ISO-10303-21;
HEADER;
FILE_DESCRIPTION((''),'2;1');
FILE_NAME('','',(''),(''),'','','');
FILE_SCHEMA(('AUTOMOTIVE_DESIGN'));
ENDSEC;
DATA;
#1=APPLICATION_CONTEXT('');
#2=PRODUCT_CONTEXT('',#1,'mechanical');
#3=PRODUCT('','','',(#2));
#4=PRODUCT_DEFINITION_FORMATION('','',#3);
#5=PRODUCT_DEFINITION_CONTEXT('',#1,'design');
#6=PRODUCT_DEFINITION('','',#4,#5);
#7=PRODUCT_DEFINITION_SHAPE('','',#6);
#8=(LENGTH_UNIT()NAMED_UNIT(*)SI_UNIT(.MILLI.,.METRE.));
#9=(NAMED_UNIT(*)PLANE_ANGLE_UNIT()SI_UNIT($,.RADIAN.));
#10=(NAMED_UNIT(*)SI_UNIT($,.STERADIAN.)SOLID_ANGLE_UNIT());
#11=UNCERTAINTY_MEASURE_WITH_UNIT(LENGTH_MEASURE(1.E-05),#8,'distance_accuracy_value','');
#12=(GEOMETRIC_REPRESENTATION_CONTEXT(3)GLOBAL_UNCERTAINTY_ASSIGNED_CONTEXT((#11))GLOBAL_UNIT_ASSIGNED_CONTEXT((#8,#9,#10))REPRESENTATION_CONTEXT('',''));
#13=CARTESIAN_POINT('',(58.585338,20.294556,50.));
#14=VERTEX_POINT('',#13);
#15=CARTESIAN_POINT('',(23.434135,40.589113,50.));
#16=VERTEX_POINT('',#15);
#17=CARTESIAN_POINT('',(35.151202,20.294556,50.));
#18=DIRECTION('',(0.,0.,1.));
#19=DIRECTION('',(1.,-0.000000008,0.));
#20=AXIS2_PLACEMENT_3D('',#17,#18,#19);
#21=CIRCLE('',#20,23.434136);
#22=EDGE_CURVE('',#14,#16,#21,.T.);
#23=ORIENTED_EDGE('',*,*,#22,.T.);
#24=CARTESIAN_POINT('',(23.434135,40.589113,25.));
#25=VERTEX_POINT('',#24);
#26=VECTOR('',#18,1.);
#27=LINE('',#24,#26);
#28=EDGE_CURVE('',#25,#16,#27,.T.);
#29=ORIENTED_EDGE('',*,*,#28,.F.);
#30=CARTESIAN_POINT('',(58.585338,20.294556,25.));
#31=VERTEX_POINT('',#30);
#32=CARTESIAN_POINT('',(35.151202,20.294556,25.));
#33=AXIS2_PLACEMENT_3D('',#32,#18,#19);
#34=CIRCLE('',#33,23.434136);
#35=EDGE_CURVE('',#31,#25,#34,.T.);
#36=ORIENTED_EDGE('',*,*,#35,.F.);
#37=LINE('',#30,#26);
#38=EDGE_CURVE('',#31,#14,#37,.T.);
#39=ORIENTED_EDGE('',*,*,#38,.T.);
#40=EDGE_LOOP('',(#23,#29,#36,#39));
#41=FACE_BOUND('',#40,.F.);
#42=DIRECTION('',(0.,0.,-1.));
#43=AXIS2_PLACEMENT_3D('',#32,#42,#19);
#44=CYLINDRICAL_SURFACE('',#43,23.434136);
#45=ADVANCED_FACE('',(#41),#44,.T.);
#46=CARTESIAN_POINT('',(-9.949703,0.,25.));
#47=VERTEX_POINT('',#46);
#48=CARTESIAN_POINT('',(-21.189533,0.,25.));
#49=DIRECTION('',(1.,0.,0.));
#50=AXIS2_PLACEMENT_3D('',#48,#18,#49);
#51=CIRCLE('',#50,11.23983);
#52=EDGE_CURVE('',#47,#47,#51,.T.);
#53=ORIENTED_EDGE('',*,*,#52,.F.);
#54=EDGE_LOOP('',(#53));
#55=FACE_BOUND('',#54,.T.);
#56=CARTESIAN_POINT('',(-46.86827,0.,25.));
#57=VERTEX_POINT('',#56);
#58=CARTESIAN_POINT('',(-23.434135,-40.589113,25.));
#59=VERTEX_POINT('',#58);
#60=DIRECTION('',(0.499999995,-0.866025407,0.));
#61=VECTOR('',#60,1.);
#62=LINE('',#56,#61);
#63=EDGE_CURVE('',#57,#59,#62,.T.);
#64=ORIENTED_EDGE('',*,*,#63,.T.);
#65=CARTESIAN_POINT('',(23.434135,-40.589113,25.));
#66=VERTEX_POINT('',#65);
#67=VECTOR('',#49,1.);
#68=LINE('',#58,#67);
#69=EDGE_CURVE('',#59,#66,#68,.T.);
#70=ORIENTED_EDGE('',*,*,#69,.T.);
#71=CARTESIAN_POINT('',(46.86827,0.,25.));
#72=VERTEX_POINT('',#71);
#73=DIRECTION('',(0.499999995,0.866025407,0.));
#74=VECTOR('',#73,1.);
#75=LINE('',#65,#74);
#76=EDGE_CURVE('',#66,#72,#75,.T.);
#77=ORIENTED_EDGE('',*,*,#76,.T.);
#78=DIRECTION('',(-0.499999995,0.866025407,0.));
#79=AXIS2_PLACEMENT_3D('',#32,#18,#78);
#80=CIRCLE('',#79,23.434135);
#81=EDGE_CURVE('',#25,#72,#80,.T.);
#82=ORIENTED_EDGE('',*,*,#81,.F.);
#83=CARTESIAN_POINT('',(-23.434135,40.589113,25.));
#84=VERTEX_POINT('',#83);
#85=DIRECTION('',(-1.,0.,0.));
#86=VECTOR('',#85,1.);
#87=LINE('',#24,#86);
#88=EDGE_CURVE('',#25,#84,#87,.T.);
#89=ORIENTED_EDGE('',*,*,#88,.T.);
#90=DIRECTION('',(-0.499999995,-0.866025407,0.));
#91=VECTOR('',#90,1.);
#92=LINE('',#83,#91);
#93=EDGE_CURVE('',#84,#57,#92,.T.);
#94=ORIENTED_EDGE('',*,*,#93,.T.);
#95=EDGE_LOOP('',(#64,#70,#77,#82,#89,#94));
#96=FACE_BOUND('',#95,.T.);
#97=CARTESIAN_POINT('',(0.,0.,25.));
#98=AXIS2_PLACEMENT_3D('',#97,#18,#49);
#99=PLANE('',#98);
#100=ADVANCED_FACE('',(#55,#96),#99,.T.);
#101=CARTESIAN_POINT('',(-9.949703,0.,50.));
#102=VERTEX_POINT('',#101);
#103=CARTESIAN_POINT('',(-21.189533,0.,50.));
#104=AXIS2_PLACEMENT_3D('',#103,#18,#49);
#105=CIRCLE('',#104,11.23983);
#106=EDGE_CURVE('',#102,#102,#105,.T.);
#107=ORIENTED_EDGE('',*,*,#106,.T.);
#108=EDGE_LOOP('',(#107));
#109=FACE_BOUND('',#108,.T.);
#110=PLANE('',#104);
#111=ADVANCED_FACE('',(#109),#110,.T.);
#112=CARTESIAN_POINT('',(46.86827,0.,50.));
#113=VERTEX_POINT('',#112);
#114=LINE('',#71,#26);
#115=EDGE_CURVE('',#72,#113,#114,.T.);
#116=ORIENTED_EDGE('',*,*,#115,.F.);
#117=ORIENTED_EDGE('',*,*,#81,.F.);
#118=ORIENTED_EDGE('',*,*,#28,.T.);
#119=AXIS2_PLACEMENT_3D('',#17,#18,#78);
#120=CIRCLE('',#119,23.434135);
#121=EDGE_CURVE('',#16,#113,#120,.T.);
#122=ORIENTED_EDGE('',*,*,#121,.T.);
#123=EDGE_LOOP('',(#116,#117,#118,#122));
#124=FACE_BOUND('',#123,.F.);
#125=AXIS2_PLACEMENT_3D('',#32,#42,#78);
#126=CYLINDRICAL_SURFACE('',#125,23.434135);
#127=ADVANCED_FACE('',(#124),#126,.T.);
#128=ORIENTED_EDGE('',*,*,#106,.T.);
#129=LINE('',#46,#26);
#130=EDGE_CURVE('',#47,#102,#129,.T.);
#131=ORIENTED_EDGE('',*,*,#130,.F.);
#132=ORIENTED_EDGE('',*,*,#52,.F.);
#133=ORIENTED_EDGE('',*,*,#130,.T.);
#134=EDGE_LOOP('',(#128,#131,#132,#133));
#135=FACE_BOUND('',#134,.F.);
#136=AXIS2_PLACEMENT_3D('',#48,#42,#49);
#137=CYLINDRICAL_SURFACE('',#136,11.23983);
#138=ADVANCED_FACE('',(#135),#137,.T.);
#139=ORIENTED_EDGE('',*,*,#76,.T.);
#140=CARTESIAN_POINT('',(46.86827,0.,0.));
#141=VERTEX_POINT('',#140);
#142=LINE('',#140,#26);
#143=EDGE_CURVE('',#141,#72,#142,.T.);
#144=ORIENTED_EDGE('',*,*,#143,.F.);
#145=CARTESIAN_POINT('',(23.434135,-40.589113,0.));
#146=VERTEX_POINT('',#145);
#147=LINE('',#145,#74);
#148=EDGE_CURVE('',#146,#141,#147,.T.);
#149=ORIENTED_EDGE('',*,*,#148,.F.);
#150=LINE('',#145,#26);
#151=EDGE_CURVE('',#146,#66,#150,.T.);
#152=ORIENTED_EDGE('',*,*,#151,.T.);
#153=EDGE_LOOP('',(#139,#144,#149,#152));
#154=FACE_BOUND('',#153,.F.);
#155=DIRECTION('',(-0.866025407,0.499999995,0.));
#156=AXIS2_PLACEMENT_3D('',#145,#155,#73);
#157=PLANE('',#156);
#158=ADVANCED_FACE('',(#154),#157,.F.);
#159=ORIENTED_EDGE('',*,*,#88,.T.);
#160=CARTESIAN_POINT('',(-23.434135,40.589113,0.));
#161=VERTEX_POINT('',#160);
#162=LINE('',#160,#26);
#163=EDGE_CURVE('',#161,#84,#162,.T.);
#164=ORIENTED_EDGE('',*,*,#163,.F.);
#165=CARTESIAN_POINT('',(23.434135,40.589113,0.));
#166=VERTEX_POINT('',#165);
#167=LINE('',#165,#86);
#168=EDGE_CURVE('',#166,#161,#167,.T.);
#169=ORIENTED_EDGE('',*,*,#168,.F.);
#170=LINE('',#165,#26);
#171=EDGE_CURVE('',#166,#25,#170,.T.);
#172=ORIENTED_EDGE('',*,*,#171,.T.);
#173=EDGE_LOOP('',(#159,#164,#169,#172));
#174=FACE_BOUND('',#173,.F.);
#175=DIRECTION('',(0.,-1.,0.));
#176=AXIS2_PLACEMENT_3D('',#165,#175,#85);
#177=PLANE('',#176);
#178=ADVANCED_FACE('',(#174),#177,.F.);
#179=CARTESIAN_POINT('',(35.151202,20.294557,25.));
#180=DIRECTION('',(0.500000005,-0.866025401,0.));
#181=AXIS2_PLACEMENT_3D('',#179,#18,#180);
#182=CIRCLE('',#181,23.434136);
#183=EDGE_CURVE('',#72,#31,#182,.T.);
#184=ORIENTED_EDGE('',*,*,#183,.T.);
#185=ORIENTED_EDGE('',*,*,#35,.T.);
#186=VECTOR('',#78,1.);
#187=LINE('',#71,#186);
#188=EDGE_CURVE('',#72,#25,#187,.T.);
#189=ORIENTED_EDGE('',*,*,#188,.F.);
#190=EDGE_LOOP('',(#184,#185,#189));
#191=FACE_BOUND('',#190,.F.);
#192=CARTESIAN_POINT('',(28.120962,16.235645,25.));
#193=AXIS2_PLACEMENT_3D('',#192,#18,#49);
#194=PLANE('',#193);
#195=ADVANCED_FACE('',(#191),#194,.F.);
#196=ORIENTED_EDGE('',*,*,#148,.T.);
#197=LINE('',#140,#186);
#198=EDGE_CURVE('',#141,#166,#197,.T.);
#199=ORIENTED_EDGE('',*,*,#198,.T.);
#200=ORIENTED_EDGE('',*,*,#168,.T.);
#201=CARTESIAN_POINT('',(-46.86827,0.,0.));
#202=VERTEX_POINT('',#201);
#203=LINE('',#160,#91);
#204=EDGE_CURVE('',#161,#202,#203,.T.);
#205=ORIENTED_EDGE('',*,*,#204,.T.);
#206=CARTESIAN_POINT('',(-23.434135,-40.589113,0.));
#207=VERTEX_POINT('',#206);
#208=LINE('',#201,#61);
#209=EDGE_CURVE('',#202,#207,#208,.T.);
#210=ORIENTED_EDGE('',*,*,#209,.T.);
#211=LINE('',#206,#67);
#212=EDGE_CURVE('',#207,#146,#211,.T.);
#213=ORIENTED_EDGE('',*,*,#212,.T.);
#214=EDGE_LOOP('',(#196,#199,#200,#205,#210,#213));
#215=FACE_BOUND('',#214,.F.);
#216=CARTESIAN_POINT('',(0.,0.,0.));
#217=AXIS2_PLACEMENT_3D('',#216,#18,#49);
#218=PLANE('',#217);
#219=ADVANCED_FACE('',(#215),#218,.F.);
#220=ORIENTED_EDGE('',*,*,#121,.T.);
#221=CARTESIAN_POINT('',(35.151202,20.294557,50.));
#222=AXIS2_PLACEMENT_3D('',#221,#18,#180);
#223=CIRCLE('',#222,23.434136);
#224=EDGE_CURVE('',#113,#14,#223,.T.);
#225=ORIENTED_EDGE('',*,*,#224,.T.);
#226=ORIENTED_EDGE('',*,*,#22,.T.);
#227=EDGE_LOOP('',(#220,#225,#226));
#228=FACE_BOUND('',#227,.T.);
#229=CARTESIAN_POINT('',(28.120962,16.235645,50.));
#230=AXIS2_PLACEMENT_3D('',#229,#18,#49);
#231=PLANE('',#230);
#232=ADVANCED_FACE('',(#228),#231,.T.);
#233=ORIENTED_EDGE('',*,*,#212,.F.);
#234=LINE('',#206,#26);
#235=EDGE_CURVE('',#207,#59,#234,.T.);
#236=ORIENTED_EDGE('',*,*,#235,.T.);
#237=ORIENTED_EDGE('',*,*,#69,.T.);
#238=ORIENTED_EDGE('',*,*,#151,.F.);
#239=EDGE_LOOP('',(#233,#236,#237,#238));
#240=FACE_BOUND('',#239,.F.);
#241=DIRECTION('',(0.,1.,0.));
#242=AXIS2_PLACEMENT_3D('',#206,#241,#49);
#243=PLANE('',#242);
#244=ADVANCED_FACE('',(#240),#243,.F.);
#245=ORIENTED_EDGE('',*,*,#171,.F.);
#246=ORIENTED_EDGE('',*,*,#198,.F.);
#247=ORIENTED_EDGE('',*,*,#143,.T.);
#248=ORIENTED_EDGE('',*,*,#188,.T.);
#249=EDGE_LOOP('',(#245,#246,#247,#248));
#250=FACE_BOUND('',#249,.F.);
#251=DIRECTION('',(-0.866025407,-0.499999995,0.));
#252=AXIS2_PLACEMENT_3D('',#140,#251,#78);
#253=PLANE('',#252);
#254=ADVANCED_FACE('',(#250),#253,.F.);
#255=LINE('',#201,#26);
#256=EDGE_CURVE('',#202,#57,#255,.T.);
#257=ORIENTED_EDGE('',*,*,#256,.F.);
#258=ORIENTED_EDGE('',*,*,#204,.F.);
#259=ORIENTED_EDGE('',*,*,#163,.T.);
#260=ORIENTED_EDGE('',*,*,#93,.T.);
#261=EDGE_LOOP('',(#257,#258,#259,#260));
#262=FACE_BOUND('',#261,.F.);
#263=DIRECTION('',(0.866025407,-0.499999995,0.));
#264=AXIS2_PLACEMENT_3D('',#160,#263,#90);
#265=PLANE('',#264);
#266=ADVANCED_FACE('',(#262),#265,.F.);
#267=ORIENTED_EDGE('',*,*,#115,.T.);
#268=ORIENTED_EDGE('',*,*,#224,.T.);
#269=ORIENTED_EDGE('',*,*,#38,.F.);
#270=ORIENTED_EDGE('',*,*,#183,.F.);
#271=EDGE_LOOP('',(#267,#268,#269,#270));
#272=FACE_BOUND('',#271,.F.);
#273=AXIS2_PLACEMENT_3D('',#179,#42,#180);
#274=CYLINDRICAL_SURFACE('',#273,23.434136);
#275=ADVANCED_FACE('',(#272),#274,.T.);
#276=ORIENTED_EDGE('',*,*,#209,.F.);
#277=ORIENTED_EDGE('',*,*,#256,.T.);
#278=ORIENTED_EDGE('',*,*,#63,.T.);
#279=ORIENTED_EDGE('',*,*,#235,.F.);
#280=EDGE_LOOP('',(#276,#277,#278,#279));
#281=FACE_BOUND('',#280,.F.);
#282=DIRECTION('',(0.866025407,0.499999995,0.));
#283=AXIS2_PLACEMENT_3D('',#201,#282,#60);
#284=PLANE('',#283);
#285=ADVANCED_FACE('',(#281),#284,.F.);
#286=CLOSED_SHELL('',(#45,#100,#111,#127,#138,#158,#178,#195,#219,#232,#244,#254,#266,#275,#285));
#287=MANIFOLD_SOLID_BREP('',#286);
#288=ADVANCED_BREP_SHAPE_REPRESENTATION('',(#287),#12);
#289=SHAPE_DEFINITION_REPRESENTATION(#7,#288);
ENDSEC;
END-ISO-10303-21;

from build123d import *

# Parameters (mm, degrees)
F1_DEPTH = 25
F3_DEPTH = 25
F4_R     = 11.23983
F5_DEPTH = 25


with BuildPart() as f1:
    # F0 (on Top) → F1 (new body)
    with BuildSketch(Plane.XY):
        Polygon((23.434135, 40.589113), (-23.434135, 40.589113), (-46.86827, 0), (-23.434135, -40.589113), (23.434135, -40.589113), (46.86827, 0), align=None)
    extrude(amount=F1_DEPTH)

    # F2 (on face) → F3 (join)
    with BuildSketch(Plane.XY.offset(25)):
        with BuildLine():
            Line((46.86827, 0), (23.434135, 40.589113))
            ThreePointArc((23.434135, 40.589113), (14.856646, 8.577489), (46.86827, 0))
        make_face()
        with BuildLine():
            ThreePointArc((46.86827, 0), (55.445759, 8.577489), (58.585338, 20.294556))
            ThreePointArc((58.585338, 20.294556), (46.86827, 40.589113), (23.434135, 40.589113))
            Line((23.434135, 40.589113), (46.86827, 0))
        make_face()
    extrude(amount=F3_DEPTH)

    # F4 (on face) → F5 (join)
    with BuildSketch(Plane.XY.offset(25)):
        with Locations((-21.189533, 0)):
            Circle(F4_R)
    extrude(amount=F5_DEPTH)


solid = f1.part
